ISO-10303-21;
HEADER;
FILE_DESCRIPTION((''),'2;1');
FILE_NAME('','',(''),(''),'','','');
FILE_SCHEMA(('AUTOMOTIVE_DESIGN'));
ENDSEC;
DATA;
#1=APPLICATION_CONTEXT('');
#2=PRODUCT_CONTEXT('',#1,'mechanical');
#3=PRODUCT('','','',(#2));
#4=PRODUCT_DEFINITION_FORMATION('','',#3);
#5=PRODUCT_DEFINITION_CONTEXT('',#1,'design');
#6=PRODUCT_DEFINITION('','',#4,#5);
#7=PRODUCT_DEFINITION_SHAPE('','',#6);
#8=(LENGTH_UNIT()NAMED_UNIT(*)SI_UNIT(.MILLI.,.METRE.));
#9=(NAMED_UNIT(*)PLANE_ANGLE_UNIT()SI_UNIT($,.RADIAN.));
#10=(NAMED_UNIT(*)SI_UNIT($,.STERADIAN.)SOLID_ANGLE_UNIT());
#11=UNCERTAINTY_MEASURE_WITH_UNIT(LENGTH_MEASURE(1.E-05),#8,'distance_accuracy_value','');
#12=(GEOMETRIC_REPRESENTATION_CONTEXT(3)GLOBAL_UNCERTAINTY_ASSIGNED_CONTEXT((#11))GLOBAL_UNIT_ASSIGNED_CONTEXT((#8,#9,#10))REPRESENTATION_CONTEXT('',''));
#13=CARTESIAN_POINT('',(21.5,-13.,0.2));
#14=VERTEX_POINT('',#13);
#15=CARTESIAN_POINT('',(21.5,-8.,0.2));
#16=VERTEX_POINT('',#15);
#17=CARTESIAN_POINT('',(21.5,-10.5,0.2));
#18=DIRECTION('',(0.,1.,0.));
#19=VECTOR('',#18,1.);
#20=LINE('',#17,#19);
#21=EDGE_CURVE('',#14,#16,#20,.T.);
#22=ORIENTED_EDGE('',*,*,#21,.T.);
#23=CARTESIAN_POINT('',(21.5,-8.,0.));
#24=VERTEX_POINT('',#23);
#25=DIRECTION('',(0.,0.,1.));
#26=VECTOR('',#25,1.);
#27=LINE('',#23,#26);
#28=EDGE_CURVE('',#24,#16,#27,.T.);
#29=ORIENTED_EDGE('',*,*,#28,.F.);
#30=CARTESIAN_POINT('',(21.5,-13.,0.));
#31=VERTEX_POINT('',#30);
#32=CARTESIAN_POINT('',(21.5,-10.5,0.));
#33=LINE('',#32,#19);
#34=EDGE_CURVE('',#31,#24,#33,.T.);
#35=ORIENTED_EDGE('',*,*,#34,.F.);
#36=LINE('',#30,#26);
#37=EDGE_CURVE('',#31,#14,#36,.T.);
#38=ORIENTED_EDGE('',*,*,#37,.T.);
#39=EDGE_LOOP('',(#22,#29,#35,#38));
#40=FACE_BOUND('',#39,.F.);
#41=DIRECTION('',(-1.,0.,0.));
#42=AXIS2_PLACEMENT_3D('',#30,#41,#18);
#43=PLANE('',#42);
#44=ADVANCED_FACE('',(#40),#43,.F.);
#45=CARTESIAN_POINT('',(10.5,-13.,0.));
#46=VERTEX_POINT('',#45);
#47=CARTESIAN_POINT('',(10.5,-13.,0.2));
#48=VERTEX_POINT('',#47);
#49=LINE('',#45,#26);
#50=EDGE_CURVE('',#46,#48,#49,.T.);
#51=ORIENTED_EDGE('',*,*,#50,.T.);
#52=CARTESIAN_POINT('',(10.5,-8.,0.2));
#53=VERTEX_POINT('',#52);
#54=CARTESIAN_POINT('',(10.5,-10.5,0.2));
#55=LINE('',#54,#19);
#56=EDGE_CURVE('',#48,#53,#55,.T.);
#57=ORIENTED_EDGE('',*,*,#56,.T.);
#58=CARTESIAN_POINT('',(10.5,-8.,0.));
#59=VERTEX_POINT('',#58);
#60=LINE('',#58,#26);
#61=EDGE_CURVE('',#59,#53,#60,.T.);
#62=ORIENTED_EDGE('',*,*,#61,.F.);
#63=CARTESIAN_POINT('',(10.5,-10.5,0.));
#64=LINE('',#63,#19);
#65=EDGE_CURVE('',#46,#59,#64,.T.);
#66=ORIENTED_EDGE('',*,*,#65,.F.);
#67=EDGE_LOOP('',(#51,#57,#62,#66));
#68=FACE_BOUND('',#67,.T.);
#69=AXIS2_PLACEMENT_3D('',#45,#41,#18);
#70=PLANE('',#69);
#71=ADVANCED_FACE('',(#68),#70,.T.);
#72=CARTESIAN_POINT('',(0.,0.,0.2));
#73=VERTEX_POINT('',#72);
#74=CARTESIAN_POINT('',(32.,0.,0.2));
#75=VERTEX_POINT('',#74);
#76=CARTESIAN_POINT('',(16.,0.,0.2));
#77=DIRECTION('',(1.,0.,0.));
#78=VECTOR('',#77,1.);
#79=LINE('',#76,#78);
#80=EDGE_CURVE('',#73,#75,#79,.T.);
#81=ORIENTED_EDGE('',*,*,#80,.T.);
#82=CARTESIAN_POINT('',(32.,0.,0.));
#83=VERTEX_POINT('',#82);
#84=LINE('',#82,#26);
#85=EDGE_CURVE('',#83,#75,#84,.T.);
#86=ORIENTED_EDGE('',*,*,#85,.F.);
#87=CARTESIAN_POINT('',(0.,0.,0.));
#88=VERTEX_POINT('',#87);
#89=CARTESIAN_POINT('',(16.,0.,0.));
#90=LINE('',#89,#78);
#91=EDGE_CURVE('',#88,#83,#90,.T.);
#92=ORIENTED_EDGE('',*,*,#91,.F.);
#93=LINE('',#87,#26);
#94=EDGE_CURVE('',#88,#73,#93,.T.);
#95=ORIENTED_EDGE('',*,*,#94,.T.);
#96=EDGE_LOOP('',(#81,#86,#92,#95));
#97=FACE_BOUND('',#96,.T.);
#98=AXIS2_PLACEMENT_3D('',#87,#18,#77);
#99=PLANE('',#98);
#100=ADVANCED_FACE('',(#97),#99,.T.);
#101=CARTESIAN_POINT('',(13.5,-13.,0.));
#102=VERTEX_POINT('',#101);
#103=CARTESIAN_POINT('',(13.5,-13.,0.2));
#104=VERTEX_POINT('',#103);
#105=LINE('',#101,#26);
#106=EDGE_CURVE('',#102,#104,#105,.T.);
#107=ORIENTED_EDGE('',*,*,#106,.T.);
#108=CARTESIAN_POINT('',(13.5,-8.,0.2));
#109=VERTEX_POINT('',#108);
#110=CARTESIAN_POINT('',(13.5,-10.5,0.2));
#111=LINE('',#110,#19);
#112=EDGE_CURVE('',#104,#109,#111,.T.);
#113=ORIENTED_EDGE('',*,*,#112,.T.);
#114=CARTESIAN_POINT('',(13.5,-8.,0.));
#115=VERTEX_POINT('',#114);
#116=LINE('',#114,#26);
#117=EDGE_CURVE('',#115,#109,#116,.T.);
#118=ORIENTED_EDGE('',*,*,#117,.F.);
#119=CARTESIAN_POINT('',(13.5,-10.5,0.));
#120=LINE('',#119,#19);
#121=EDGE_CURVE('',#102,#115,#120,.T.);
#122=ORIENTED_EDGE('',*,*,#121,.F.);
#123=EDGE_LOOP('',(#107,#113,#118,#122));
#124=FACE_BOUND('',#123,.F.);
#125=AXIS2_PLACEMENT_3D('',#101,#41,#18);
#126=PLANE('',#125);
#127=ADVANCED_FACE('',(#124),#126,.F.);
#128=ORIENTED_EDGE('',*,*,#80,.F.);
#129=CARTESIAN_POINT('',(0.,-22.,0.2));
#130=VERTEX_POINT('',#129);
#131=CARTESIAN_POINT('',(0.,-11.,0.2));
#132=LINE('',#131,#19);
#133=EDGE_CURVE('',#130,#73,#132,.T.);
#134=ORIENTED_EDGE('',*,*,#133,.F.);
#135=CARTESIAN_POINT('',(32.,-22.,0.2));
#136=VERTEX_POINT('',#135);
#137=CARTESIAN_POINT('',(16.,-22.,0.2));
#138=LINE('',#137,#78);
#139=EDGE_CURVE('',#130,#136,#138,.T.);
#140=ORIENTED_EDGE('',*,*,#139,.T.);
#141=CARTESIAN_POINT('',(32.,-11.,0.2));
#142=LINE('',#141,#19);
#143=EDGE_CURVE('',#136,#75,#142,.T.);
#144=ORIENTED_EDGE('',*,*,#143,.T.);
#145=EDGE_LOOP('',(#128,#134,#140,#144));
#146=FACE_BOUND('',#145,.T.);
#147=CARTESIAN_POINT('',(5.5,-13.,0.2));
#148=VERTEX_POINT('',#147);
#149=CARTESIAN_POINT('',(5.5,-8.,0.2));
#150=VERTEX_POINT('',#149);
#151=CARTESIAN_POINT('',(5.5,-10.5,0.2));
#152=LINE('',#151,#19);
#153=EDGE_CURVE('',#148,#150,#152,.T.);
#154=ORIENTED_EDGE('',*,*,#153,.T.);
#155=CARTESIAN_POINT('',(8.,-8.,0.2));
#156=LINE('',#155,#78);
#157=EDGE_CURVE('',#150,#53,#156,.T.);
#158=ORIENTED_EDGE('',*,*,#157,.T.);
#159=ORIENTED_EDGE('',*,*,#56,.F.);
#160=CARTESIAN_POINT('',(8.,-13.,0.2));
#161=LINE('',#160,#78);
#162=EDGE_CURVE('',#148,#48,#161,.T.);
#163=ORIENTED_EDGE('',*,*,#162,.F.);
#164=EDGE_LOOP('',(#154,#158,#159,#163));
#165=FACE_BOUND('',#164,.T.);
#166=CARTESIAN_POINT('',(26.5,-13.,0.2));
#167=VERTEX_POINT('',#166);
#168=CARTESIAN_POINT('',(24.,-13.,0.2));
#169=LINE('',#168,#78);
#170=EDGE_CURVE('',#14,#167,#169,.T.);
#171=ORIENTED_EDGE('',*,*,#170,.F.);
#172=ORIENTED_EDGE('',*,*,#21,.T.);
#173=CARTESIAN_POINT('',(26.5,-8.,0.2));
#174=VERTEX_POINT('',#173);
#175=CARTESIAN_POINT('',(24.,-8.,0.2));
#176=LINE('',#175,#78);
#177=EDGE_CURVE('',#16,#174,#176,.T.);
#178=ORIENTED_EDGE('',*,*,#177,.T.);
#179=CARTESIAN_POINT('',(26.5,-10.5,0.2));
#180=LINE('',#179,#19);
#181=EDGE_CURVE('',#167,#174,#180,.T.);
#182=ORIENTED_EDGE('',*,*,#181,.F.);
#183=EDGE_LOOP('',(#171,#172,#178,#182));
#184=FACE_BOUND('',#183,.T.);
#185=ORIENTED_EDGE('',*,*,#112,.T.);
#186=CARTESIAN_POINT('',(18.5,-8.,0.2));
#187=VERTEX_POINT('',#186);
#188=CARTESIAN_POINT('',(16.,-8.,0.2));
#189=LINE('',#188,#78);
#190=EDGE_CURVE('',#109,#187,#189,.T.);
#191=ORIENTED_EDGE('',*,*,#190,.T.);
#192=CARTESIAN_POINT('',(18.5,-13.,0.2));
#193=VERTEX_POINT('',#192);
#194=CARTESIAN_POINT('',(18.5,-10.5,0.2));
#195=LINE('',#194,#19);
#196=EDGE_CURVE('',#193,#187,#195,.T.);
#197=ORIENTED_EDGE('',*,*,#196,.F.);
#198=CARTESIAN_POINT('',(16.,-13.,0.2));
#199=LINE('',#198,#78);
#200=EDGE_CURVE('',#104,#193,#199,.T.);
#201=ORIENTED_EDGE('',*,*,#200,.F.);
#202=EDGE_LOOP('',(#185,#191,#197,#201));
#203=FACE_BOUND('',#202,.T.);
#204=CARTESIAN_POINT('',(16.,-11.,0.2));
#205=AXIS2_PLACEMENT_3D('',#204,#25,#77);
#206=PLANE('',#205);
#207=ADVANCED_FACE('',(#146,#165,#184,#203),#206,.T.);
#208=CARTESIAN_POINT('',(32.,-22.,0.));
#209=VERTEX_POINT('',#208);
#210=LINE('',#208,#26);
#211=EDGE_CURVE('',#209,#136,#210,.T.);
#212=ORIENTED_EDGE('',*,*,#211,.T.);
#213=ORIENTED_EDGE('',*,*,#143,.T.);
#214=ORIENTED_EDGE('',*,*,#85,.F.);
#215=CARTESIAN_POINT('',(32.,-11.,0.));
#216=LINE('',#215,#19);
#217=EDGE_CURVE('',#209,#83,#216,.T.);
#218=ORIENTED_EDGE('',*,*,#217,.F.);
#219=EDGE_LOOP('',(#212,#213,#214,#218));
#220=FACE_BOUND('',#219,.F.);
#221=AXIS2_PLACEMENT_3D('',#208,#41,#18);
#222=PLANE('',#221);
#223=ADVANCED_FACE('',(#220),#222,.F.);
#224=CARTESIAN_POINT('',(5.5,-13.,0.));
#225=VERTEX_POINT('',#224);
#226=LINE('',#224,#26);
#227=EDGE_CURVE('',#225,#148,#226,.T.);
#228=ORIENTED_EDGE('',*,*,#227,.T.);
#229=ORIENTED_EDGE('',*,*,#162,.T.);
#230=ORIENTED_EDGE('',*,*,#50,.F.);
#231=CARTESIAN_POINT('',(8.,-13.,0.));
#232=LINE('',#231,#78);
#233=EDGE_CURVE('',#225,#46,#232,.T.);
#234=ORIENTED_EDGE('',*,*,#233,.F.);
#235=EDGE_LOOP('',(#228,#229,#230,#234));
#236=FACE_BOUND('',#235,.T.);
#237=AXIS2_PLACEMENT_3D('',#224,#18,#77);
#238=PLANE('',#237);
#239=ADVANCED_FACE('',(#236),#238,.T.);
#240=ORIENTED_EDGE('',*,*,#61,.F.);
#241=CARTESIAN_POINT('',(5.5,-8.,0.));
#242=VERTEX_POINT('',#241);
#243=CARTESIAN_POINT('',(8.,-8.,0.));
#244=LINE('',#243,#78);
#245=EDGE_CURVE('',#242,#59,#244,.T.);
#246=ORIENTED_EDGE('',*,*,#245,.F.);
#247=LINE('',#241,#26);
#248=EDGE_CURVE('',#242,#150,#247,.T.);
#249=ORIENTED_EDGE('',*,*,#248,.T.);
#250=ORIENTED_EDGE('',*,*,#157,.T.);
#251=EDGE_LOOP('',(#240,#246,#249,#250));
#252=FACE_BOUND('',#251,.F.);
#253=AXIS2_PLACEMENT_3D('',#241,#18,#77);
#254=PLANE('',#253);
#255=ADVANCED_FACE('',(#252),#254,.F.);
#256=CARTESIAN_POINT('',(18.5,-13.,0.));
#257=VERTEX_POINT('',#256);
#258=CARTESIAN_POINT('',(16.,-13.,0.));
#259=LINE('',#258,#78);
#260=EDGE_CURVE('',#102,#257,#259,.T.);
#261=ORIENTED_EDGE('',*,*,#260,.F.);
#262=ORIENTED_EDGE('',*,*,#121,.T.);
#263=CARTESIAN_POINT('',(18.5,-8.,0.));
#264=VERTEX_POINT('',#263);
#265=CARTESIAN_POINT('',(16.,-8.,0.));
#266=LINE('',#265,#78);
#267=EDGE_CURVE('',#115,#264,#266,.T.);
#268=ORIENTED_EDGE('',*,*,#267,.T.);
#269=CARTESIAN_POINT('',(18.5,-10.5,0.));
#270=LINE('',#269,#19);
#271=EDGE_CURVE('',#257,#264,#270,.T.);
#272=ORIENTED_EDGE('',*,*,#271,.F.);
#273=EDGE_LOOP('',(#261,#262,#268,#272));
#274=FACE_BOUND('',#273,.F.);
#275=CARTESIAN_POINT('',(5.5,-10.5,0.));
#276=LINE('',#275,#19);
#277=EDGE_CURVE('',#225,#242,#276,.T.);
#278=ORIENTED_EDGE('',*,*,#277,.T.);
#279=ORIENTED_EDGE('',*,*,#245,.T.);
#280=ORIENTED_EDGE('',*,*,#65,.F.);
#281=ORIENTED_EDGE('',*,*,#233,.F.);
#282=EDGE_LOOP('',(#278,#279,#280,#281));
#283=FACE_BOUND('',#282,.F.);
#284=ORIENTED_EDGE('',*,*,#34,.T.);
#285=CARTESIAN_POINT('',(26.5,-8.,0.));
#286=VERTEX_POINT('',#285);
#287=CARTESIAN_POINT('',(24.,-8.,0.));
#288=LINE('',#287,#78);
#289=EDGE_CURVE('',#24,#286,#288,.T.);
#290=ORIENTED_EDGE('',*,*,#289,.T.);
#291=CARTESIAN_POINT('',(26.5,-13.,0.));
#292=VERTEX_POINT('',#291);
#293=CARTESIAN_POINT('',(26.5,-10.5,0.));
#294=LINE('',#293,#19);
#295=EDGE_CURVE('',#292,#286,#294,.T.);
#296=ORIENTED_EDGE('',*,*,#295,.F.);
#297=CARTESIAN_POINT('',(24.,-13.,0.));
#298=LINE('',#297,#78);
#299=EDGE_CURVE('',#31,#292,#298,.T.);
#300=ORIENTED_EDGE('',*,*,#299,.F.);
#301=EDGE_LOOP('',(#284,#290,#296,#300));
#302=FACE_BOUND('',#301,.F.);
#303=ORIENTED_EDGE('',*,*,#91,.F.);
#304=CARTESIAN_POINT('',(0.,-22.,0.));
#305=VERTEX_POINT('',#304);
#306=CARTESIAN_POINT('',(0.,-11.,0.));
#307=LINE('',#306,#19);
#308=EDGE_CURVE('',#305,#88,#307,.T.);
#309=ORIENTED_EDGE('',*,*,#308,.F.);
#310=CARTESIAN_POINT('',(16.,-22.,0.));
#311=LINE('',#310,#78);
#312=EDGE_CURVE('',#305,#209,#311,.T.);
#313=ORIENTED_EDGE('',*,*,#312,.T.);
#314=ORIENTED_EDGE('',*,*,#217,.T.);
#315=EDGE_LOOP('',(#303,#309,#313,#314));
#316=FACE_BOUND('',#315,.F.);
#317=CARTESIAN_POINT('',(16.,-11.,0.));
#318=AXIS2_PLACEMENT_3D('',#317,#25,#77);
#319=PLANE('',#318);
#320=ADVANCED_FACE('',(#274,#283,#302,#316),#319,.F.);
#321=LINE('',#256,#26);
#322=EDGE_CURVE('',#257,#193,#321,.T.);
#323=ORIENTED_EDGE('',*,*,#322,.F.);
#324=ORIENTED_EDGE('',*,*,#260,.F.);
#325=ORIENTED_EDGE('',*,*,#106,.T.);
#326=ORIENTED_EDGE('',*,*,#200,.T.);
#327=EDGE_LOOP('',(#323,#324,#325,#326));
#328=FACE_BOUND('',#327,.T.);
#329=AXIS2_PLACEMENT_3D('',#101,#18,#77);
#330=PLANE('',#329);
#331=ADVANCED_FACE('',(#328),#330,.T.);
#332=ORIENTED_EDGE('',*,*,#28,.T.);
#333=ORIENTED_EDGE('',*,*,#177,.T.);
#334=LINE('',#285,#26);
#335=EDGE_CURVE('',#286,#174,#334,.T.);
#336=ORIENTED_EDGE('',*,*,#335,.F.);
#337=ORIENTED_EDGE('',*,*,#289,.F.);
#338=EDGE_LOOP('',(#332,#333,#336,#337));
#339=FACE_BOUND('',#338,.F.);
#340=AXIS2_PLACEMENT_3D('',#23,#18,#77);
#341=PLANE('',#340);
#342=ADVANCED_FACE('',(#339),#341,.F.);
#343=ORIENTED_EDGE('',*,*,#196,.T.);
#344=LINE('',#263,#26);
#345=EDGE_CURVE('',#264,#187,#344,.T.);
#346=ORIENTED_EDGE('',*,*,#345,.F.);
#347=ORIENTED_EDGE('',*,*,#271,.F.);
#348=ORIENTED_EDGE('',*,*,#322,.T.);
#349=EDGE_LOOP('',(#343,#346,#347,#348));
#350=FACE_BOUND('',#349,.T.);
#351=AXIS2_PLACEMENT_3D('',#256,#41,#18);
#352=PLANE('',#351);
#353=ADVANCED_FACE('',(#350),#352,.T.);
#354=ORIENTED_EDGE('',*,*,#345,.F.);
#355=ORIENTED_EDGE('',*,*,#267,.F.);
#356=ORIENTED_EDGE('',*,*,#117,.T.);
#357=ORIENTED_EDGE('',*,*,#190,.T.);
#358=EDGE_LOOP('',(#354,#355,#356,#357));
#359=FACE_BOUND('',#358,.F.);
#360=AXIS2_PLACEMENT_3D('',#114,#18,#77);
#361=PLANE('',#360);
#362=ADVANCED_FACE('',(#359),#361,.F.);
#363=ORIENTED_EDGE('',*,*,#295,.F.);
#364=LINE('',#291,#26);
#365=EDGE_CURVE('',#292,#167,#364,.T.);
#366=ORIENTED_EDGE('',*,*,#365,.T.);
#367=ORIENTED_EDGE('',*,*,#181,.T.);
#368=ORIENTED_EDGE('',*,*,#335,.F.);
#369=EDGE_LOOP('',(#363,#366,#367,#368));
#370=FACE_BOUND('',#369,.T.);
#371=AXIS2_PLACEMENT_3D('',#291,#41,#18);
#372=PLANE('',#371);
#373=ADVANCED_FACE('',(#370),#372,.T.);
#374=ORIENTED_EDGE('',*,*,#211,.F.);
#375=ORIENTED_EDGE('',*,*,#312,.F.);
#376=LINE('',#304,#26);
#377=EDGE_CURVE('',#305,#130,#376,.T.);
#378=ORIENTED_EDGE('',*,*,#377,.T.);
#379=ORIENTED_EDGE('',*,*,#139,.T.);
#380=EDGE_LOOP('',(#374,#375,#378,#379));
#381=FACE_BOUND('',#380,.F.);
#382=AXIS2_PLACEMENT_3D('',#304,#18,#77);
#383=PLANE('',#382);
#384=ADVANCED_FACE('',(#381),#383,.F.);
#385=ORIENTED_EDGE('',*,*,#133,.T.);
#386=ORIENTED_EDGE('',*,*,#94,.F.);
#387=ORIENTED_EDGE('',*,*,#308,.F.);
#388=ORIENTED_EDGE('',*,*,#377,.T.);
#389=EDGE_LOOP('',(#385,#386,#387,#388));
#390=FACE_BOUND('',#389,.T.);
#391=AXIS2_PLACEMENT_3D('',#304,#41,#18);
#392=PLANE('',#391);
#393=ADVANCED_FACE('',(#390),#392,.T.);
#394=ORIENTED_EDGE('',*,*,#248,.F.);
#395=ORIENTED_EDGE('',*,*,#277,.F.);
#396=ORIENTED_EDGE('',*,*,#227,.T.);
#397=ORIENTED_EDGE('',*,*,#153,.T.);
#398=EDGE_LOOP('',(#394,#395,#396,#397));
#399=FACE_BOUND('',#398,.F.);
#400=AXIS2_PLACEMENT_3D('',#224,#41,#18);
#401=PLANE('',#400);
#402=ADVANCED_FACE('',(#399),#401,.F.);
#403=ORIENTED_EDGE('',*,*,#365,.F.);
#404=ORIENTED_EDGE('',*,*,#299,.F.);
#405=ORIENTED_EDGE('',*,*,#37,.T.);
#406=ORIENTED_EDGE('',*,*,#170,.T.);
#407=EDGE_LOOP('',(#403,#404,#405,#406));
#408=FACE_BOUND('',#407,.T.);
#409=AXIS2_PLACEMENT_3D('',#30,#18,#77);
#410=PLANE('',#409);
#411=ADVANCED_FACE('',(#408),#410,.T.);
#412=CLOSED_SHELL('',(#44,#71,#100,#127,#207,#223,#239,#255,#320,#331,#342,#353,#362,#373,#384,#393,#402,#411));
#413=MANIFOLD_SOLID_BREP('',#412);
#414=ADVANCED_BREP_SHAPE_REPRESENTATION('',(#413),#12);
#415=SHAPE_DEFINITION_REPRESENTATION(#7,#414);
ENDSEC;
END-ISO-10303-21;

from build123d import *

# Parameters (mm, degrees)
F0_W     = 32
F0_H     = 22
F0_W_2   = 5
F0_H_2   = 5
F1_DEPTH = 0.2


with BuildPart() as f1:
    # F0 (on Top) → F1 (new body)
    with BuildSketch(Plane.XY):
        with Locations((16, -11)):
            Rectangle(F0_W, F0_H)
        with Locations((8, -10.5)):
            Rectangle(F0_W_2, F0_H_2, mode=Mode.SUBTRACT)
        with Locations((16, -10.5)):
            Rectangle(F0_W_2, F0_H_2, mode=Mode.SUBTRACT)
        with Locations((24, -10.5)):
            Rectangle(F0_W_2, F0_H_2, mode=Mode.SUBTRACT)
    extrude(amount=F1_DEPTH)


solid = f1.part
